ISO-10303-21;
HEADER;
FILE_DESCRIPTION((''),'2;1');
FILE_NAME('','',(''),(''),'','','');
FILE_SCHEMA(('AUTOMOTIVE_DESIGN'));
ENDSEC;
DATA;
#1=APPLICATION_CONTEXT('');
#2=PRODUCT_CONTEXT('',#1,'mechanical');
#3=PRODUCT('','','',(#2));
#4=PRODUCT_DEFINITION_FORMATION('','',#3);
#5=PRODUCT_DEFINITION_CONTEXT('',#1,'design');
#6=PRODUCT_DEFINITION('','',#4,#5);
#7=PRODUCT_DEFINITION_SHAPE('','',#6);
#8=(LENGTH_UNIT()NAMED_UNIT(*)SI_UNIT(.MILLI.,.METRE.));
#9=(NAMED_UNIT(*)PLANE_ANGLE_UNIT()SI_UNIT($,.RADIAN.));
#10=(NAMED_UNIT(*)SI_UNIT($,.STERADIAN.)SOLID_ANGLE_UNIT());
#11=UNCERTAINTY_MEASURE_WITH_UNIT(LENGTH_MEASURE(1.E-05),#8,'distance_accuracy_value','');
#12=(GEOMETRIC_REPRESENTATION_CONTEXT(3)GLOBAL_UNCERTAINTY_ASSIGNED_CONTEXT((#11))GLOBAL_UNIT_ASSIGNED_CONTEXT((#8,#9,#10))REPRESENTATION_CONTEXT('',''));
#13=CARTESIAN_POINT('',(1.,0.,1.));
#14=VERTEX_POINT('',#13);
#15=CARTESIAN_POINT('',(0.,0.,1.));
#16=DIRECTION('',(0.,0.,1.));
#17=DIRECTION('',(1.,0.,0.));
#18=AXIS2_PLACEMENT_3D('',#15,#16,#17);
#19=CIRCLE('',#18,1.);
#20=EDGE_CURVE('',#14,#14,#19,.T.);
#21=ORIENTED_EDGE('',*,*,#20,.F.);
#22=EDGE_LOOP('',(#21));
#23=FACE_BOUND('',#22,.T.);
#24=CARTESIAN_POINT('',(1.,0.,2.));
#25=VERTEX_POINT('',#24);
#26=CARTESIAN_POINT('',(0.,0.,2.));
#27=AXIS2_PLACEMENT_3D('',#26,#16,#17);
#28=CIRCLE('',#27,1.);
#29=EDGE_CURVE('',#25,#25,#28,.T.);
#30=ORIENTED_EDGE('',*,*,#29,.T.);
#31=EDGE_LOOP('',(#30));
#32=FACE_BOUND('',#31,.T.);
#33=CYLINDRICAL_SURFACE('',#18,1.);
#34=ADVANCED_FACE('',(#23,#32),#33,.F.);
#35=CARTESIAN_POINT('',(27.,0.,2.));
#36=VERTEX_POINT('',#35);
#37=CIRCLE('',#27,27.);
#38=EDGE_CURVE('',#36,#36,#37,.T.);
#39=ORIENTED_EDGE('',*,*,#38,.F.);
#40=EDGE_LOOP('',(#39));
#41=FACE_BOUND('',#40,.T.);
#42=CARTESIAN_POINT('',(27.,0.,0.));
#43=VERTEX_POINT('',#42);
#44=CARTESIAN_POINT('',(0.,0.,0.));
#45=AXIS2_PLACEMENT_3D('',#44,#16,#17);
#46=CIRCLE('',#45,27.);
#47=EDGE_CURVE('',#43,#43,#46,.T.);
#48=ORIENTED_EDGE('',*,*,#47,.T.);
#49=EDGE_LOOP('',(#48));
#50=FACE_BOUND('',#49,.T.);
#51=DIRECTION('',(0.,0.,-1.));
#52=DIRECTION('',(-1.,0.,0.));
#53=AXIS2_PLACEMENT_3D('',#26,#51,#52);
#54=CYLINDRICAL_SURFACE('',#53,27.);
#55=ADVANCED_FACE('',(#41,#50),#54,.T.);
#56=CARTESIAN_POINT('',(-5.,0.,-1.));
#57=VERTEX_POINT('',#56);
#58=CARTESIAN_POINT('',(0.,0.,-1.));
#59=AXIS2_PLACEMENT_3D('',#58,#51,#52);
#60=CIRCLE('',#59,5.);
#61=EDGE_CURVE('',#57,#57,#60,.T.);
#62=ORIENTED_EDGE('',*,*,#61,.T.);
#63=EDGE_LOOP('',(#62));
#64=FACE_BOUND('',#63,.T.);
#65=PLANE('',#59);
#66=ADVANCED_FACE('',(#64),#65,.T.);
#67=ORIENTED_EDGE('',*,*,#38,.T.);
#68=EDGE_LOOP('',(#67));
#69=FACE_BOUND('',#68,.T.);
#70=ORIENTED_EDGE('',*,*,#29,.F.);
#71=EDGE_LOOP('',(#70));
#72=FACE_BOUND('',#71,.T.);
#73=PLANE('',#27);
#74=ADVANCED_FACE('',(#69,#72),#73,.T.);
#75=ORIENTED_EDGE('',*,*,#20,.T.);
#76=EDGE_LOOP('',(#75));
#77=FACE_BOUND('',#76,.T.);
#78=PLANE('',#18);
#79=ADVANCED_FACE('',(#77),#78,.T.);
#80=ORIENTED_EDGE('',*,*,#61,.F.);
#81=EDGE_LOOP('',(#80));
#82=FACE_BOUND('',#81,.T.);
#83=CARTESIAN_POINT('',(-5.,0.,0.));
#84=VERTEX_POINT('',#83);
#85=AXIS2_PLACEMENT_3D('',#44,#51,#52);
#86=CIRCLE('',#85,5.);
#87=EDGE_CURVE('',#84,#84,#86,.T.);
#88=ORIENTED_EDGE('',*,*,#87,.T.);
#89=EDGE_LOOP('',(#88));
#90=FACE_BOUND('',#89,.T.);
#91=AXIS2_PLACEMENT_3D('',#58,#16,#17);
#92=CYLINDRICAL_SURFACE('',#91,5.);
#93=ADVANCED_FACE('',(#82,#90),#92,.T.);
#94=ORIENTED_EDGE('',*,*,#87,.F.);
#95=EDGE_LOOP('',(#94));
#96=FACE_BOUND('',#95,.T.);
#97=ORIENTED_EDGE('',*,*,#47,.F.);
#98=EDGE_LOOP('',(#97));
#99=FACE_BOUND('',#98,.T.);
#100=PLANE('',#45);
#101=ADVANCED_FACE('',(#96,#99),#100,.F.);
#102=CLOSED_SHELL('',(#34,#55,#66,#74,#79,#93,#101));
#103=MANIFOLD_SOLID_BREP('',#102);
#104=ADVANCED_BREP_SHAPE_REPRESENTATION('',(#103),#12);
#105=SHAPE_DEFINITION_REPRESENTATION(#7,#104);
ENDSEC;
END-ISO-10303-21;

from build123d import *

# Parameters (mm, degrees)
ESBO_O1_R                = 27
RESSALTO_EXTRUS_O1_DEPTH = 2
ESBO_O3_R                = 5
RESSALTO_EXTRUS_O2_DEPTH = 1
ESBO_O4_R                = 1
CORTE_EXTRUS_O1_DEPTH    = 1


with BuildPart() as part:
    # Esboço1 → Ressalto-extrusão1 (new body)
    with BuildSketch(Plane.XY):
        Circle(ESBO_O1_R)
    extrude(amount=RESSALTO_EXTRUS_O1_DEPTH)

    # Esboço3 → Ressalto-extrusão2 (add)
    with BuildSketch(Plane(origin=(0, 0, 0), x_dir=(-1, 0, 0), z_dir=(0, 0, -1))):
        Circle(ESBO_O3_R)
    extrude(amount=RESSALTO_EXTRUS_O2_DEPTH)

    # Esboço4 → Corte-extrusão1 (cut)
    with BuildSketch(Plane.XY.offset(2)):
        Circle(ESBO_O4_R)
    extrude(amount=-CORTE_EXTRUS_O1_DEPTH, mode=Mode.SUBTRACT)


solid = part.part
